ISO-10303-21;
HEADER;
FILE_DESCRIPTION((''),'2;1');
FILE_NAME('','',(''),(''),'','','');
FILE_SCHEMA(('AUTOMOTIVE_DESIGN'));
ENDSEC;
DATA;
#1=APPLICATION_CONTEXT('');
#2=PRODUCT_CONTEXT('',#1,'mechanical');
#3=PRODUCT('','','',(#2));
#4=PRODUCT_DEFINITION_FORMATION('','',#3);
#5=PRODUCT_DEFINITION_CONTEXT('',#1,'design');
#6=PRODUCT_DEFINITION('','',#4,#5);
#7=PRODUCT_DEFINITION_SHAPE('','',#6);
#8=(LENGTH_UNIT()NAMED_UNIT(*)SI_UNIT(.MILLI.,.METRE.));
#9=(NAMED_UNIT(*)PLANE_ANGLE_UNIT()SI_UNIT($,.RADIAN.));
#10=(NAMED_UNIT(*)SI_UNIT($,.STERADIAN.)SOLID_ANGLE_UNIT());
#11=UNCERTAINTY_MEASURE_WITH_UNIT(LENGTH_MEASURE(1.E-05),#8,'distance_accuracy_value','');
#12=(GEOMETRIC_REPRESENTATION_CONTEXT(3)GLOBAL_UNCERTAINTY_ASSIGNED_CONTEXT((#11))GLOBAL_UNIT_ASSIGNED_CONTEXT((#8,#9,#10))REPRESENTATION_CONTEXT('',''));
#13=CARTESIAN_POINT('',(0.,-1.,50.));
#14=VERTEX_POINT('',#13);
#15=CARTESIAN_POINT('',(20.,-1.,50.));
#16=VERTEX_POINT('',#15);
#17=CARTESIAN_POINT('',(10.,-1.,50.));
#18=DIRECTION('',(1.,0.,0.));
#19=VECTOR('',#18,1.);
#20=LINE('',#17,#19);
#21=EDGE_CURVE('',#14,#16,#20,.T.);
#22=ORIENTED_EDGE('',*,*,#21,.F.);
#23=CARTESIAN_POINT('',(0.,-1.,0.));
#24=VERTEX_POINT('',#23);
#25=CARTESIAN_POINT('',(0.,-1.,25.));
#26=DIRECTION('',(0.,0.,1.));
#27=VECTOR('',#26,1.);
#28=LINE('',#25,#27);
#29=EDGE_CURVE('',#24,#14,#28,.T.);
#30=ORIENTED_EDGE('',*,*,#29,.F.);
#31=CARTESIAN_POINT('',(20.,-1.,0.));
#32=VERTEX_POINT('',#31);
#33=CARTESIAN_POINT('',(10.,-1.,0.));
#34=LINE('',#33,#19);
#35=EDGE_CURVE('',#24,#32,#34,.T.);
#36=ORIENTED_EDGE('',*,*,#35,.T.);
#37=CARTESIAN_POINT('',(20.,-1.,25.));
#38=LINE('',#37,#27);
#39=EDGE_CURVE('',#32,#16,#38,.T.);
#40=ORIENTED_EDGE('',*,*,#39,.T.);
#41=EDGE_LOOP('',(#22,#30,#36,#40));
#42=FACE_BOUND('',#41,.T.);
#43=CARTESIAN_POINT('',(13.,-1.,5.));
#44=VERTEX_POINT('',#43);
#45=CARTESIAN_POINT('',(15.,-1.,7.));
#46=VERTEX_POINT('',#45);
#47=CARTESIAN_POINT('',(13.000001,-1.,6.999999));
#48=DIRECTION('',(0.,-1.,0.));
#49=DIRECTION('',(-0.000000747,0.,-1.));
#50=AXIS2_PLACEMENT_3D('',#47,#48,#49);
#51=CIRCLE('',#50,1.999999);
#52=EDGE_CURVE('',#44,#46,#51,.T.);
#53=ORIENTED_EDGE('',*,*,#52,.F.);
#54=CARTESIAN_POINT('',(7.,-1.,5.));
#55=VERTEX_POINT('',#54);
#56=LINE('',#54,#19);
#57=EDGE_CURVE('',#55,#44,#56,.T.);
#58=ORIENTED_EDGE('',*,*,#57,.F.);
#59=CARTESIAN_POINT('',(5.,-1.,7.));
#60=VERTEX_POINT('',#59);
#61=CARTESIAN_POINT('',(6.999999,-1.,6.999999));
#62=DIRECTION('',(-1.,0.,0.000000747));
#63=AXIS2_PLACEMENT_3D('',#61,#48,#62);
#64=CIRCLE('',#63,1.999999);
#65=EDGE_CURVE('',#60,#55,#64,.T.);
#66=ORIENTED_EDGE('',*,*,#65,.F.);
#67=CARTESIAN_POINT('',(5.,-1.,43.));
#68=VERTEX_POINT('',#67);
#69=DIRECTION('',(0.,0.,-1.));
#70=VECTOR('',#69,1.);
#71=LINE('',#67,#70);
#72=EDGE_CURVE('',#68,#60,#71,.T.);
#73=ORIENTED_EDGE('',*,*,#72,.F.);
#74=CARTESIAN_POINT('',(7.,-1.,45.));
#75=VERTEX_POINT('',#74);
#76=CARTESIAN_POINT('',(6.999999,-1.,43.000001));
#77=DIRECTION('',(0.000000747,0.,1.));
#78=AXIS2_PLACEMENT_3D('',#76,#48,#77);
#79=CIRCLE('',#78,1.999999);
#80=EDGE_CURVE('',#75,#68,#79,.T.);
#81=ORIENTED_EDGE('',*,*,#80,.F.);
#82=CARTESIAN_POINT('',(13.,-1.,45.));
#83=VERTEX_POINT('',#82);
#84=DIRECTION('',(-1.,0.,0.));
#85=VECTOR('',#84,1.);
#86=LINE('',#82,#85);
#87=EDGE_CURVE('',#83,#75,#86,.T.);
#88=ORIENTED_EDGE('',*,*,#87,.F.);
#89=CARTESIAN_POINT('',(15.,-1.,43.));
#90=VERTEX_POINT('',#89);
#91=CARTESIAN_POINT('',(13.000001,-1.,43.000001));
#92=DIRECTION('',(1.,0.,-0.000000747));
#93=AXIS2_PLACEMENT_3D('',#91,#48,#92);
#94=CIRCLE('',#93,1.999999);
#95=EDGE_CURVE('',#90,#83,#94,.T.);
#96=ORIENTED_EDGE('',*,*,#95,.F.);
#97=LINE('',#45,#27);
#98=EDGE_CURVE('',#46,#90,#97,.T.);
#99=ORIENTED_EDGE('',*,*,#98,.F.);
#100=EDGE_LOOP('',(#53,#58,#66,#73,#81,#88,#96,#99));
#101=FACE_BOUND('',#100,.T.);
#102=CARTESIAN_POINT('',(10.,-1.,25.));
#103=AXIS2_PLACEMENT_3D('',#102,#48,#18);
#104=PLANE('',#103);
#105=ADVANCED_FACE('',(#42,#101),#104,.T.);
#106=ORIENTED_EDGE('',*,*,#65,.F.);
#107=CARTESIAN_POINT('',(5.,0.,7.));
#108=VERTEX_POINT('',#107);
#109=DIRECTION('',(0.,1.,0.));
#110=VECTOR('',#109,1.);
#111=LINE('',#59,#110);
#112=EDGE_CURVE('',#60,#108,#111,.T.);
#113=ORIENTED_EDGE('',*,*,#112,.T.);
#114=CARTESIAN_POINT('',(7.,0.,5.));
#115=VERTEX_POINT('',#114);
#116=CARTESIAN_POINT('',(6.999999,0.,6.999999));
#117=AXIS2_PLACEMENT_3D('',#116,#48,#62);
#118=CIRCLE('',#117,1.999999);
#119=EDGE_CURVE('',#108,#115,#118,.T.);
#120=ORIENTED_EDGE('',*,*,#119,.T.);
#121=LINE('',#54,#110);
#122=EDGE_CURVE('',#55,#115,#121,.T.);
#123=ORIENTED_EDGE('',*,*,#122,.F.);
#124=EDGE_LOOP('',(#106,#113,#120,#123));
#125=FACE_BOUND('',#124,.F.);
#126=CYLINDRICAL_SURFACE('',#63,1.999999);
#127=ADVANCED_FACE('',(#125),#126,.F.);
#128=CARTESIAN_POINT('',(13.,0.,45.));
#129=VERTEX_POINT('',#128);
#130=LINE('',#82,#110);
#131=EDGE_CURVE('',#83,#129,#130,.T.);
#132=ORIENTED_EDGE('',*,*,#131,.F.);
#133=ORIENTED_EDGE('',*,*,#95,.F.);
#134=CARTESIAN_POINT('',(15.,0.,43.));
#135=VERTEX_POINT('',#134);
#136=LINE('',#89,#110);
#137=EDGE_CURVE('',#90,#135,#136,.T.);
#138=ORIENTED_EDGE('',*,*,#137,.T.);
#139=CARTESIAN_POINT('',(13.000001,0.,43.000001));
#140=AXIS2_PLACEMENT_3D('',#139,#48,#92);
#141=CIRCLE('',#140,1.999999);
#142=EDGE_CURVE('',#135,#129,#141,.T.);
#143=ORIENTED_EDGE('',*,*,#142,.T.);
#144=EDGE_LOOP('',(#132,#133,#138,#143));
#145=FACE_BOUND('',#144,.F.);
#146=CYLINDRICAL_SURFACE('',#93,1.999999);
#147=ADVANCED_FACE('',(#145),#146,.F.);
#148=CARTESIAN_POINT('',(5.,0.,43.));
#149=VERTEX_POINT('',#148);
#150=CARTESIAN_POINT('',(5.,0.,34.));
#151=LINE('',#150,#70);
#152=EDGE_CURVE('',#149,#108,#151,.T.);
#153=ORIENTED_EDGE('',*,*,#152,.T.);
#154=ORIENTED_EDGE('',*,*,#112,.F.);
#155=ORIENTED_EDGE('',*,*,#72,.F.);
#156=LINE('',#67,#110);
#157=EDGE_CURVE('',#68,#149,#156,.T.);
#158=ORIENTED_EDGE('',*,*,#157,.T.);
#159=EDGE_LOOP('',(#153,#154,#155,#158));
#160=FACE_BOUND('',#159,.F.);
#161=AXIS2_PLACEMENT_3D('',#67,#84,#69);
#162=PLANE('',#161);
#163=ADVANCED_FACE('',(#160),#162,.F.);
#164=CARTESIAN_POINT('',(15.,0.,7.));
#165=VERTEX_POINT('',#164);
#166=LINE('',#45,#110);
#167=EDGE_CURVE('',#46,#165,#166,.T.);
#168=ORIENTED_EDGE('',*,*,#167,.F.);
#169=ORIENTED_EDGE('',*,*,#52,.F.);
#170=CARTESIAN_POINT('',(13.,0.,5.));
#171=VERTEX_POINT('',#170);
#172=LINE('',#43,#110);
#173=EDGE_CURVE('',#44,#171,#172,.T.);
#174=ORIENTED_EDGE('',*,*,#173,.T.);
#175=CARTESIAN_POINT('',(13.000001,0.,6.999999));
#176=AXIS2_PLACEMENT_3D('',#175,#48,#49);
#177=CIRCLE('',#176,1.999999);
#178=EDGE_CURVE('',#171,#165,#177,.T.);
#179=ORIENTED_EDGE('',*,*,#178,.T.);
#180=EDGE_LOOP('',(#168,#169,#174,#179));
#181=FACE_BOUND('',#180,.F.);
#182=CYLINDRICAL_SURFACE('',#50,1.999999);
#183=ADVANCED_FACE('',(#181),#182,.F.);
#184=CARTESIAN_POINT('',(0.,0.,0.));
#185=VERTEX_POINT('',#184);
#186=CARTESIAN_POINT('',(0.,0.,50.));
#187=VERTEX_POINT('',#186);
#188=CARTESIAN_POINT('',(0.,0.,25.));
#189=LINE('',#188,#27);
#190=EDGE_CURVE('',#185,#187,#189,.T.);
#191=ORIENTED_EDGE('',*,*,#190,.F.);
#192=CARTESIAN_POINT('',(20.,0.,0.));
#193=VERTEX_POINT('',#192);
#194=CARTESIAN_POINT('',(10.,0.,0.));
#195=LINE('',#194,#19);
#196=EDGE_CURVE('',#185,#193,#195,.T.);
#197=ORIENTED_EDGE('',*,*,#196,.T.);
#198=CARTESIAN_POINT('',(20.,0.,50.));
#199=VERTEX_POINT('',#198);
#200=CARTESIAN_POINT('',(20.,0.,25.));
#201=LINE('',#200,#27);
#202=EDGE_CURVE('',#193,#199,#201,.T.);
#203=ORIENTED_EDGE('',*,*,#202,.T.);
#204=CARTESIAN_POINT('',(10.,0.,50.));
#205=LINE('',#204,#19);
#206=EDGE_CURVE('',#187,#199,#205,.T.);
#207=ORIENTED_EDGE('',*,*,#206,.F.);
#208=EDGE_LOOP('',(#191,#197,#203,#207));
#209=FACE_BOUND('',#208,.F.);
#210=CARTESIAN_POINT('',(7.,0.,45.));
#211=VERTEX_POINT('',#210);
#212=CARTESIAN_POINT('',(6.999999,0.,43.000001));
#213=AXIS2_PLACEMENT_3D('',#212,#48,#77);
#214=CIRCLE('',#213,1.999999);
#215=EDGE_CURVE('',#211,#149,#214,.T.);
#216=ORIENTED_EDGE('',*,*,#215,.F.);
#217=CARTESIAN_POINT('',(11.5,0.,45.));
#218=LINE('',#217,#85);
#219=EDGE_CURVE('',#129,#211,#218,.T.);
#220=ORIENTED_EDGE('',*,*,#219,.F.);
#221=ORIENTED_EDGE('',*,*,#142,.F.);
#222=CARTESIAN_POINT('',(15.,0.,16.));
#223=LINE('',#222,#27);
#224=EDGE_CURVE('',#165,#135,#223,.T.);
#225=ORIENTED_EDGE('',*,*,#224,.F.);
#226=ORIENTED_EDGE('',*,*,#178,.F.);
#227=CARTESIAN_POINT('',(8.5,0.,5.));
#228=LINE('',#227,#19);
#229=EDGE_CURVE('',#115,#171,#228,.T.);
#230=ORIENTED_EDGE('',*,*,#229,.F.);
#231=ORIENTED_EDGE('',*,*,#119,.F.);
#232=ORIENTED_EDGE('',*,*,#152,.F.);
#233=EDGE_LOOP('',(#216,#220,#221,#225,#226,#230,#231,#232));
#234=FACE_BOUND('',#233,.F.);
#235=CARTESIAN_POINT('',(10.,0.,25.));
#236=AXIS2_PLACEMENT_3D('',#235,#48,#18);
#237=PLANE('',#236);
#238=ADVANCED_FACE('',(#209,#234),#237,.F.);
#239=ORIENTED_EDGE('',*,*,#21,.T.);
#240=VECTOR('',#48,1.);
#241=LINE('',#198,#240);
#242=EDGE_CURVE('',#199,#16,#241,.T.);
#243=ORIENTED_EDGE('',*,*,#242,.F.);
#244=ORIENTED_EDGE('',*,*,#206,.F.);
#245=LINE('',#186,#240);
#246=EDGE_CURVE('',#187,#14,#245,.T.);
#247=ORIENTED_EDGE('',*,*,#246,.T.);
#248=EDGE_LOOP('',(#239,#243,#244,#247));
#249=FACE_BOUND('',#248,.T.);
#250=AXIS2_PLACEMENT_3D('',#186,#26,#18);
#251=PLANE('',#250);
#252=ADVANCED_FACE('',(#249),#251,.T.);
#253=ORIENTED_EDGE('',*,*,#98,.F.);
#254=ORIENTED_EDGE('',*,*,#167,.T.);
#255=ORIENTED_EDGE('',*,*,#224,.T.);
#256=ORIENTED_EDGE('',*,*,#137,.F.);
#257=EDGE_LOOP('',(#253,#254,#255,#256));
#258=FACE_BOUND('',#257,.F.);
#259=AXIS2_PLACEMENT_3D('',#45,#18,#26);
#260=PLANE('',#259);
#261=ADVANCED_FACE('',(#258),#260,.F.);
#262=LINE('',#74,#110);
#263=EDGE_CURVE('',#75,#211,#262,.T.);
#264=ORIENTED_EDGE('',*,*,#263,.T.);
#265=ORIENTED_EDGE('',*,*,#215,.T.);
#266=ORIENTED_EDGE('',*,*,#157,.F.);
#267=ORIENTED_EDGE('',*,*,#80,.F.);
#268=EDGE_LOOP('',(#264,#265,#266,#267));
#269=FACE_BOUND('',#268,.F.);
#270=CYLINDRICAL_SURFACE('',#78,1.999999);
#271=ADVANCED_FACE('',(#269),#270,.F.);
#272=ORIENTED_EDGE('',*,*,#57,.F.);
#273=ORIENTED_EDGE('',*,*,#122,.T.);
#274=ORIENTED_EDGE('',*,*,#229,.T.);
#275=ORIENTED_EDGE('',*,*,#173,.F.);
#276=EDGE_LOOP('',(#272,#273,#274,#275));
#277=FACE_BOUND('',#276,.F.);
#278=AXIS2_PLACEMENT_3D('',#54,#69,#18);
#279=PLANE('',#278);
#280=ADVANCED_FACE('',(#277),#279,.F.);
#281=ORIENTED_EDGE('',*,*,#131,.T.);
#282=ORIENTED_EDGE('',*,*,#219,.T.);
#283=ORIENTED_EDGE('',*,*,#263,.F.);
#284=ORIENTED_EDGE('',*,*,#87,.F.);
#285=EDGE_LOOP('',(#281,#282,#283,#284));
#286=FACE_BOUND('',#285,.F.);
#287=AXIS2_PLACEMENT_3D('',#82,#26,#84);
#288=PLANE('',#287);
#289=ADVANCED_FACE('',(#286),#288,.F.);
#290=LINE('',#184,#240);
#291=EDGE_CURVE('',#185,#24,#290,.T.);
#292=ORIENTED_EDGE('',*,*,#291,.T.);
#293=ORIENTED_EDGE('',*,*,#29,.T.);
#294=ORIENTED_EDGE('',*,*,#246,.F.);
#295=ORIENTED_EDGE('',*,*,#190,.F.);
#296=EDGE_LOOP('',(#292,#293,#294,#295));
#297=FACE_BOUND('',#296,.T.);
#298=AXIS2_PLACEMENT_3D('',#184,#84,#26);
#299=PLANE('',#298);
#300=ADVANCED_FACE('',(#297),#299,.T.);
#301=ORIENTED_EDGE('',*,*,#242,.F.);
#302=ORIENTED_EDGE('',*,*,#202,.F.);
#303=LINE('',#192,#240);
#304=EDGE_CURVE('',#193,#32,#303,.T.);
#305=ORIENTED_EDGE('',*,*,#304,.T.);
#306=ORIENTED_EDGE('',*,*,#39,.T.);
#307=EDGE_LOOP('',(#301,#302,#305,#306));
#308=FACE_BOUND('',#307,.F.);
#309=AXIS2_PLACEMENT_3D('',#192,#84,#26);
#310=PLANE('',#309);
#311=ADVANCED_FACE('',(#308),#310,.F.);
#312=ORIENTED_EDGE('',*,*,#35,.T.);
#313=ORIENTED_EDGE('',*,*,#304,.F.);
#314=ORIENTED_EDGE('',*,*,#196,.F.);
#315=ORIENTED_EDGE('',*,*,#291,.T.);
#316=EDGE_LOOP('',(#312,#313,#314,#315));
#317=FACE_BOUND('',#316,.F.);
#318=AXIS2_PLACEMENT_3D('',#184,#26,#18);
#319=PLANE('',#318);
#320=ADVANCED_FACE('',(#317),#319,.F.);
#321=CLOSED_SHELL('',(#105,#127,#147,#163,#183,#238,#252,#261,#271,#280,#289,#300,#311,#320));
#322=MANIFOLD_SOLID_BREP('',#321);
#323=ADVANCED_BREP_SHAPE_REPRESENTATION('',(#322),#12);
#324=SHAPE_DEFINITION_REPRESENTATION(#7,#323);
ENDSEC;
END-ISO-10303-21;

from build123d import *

# Parameters (mm, degrees)
F0_W     = 20
F0_H     = 50
F1_DEPTH = 1
F3_DEPTH = 1.001


with BuildPart() as f1:
    # F0 (on Front) → F1 (new body)
    with BuildSketch(Plane.XZ):
        with Locations((10, 25)):
            Rectangle(F0_W, F0_H)
    extrude(amount=F1_DEPTH)

    # F2 (on face) → F3 (cut, through all)
    with BuildSketch(Plane.XZ.offset(1)):
        with BuildLine():
            ThreePointArc((5, 7), (5.585786, 5.585786), (7, 5))
            Line((7, 5), (13, 5))
            ThreePointArc((13, 5), (14.414214, 5.585786), (15, 7))
            Line((15, 7), (15, 43))
            ThreePointArc((15, 43), (14.414214, 44.414214), (13, 45))
            Line((13, 45), (7, 45))
            ThreePointArc((7, 45), (5.585786, 44.414214), (5, 43))
            Line((5, 43), (5, 7))
        make_face()
    extrude(amount=-F3_DEPTH, mode=Mode.SUBTRACT)


solid = f1.part
